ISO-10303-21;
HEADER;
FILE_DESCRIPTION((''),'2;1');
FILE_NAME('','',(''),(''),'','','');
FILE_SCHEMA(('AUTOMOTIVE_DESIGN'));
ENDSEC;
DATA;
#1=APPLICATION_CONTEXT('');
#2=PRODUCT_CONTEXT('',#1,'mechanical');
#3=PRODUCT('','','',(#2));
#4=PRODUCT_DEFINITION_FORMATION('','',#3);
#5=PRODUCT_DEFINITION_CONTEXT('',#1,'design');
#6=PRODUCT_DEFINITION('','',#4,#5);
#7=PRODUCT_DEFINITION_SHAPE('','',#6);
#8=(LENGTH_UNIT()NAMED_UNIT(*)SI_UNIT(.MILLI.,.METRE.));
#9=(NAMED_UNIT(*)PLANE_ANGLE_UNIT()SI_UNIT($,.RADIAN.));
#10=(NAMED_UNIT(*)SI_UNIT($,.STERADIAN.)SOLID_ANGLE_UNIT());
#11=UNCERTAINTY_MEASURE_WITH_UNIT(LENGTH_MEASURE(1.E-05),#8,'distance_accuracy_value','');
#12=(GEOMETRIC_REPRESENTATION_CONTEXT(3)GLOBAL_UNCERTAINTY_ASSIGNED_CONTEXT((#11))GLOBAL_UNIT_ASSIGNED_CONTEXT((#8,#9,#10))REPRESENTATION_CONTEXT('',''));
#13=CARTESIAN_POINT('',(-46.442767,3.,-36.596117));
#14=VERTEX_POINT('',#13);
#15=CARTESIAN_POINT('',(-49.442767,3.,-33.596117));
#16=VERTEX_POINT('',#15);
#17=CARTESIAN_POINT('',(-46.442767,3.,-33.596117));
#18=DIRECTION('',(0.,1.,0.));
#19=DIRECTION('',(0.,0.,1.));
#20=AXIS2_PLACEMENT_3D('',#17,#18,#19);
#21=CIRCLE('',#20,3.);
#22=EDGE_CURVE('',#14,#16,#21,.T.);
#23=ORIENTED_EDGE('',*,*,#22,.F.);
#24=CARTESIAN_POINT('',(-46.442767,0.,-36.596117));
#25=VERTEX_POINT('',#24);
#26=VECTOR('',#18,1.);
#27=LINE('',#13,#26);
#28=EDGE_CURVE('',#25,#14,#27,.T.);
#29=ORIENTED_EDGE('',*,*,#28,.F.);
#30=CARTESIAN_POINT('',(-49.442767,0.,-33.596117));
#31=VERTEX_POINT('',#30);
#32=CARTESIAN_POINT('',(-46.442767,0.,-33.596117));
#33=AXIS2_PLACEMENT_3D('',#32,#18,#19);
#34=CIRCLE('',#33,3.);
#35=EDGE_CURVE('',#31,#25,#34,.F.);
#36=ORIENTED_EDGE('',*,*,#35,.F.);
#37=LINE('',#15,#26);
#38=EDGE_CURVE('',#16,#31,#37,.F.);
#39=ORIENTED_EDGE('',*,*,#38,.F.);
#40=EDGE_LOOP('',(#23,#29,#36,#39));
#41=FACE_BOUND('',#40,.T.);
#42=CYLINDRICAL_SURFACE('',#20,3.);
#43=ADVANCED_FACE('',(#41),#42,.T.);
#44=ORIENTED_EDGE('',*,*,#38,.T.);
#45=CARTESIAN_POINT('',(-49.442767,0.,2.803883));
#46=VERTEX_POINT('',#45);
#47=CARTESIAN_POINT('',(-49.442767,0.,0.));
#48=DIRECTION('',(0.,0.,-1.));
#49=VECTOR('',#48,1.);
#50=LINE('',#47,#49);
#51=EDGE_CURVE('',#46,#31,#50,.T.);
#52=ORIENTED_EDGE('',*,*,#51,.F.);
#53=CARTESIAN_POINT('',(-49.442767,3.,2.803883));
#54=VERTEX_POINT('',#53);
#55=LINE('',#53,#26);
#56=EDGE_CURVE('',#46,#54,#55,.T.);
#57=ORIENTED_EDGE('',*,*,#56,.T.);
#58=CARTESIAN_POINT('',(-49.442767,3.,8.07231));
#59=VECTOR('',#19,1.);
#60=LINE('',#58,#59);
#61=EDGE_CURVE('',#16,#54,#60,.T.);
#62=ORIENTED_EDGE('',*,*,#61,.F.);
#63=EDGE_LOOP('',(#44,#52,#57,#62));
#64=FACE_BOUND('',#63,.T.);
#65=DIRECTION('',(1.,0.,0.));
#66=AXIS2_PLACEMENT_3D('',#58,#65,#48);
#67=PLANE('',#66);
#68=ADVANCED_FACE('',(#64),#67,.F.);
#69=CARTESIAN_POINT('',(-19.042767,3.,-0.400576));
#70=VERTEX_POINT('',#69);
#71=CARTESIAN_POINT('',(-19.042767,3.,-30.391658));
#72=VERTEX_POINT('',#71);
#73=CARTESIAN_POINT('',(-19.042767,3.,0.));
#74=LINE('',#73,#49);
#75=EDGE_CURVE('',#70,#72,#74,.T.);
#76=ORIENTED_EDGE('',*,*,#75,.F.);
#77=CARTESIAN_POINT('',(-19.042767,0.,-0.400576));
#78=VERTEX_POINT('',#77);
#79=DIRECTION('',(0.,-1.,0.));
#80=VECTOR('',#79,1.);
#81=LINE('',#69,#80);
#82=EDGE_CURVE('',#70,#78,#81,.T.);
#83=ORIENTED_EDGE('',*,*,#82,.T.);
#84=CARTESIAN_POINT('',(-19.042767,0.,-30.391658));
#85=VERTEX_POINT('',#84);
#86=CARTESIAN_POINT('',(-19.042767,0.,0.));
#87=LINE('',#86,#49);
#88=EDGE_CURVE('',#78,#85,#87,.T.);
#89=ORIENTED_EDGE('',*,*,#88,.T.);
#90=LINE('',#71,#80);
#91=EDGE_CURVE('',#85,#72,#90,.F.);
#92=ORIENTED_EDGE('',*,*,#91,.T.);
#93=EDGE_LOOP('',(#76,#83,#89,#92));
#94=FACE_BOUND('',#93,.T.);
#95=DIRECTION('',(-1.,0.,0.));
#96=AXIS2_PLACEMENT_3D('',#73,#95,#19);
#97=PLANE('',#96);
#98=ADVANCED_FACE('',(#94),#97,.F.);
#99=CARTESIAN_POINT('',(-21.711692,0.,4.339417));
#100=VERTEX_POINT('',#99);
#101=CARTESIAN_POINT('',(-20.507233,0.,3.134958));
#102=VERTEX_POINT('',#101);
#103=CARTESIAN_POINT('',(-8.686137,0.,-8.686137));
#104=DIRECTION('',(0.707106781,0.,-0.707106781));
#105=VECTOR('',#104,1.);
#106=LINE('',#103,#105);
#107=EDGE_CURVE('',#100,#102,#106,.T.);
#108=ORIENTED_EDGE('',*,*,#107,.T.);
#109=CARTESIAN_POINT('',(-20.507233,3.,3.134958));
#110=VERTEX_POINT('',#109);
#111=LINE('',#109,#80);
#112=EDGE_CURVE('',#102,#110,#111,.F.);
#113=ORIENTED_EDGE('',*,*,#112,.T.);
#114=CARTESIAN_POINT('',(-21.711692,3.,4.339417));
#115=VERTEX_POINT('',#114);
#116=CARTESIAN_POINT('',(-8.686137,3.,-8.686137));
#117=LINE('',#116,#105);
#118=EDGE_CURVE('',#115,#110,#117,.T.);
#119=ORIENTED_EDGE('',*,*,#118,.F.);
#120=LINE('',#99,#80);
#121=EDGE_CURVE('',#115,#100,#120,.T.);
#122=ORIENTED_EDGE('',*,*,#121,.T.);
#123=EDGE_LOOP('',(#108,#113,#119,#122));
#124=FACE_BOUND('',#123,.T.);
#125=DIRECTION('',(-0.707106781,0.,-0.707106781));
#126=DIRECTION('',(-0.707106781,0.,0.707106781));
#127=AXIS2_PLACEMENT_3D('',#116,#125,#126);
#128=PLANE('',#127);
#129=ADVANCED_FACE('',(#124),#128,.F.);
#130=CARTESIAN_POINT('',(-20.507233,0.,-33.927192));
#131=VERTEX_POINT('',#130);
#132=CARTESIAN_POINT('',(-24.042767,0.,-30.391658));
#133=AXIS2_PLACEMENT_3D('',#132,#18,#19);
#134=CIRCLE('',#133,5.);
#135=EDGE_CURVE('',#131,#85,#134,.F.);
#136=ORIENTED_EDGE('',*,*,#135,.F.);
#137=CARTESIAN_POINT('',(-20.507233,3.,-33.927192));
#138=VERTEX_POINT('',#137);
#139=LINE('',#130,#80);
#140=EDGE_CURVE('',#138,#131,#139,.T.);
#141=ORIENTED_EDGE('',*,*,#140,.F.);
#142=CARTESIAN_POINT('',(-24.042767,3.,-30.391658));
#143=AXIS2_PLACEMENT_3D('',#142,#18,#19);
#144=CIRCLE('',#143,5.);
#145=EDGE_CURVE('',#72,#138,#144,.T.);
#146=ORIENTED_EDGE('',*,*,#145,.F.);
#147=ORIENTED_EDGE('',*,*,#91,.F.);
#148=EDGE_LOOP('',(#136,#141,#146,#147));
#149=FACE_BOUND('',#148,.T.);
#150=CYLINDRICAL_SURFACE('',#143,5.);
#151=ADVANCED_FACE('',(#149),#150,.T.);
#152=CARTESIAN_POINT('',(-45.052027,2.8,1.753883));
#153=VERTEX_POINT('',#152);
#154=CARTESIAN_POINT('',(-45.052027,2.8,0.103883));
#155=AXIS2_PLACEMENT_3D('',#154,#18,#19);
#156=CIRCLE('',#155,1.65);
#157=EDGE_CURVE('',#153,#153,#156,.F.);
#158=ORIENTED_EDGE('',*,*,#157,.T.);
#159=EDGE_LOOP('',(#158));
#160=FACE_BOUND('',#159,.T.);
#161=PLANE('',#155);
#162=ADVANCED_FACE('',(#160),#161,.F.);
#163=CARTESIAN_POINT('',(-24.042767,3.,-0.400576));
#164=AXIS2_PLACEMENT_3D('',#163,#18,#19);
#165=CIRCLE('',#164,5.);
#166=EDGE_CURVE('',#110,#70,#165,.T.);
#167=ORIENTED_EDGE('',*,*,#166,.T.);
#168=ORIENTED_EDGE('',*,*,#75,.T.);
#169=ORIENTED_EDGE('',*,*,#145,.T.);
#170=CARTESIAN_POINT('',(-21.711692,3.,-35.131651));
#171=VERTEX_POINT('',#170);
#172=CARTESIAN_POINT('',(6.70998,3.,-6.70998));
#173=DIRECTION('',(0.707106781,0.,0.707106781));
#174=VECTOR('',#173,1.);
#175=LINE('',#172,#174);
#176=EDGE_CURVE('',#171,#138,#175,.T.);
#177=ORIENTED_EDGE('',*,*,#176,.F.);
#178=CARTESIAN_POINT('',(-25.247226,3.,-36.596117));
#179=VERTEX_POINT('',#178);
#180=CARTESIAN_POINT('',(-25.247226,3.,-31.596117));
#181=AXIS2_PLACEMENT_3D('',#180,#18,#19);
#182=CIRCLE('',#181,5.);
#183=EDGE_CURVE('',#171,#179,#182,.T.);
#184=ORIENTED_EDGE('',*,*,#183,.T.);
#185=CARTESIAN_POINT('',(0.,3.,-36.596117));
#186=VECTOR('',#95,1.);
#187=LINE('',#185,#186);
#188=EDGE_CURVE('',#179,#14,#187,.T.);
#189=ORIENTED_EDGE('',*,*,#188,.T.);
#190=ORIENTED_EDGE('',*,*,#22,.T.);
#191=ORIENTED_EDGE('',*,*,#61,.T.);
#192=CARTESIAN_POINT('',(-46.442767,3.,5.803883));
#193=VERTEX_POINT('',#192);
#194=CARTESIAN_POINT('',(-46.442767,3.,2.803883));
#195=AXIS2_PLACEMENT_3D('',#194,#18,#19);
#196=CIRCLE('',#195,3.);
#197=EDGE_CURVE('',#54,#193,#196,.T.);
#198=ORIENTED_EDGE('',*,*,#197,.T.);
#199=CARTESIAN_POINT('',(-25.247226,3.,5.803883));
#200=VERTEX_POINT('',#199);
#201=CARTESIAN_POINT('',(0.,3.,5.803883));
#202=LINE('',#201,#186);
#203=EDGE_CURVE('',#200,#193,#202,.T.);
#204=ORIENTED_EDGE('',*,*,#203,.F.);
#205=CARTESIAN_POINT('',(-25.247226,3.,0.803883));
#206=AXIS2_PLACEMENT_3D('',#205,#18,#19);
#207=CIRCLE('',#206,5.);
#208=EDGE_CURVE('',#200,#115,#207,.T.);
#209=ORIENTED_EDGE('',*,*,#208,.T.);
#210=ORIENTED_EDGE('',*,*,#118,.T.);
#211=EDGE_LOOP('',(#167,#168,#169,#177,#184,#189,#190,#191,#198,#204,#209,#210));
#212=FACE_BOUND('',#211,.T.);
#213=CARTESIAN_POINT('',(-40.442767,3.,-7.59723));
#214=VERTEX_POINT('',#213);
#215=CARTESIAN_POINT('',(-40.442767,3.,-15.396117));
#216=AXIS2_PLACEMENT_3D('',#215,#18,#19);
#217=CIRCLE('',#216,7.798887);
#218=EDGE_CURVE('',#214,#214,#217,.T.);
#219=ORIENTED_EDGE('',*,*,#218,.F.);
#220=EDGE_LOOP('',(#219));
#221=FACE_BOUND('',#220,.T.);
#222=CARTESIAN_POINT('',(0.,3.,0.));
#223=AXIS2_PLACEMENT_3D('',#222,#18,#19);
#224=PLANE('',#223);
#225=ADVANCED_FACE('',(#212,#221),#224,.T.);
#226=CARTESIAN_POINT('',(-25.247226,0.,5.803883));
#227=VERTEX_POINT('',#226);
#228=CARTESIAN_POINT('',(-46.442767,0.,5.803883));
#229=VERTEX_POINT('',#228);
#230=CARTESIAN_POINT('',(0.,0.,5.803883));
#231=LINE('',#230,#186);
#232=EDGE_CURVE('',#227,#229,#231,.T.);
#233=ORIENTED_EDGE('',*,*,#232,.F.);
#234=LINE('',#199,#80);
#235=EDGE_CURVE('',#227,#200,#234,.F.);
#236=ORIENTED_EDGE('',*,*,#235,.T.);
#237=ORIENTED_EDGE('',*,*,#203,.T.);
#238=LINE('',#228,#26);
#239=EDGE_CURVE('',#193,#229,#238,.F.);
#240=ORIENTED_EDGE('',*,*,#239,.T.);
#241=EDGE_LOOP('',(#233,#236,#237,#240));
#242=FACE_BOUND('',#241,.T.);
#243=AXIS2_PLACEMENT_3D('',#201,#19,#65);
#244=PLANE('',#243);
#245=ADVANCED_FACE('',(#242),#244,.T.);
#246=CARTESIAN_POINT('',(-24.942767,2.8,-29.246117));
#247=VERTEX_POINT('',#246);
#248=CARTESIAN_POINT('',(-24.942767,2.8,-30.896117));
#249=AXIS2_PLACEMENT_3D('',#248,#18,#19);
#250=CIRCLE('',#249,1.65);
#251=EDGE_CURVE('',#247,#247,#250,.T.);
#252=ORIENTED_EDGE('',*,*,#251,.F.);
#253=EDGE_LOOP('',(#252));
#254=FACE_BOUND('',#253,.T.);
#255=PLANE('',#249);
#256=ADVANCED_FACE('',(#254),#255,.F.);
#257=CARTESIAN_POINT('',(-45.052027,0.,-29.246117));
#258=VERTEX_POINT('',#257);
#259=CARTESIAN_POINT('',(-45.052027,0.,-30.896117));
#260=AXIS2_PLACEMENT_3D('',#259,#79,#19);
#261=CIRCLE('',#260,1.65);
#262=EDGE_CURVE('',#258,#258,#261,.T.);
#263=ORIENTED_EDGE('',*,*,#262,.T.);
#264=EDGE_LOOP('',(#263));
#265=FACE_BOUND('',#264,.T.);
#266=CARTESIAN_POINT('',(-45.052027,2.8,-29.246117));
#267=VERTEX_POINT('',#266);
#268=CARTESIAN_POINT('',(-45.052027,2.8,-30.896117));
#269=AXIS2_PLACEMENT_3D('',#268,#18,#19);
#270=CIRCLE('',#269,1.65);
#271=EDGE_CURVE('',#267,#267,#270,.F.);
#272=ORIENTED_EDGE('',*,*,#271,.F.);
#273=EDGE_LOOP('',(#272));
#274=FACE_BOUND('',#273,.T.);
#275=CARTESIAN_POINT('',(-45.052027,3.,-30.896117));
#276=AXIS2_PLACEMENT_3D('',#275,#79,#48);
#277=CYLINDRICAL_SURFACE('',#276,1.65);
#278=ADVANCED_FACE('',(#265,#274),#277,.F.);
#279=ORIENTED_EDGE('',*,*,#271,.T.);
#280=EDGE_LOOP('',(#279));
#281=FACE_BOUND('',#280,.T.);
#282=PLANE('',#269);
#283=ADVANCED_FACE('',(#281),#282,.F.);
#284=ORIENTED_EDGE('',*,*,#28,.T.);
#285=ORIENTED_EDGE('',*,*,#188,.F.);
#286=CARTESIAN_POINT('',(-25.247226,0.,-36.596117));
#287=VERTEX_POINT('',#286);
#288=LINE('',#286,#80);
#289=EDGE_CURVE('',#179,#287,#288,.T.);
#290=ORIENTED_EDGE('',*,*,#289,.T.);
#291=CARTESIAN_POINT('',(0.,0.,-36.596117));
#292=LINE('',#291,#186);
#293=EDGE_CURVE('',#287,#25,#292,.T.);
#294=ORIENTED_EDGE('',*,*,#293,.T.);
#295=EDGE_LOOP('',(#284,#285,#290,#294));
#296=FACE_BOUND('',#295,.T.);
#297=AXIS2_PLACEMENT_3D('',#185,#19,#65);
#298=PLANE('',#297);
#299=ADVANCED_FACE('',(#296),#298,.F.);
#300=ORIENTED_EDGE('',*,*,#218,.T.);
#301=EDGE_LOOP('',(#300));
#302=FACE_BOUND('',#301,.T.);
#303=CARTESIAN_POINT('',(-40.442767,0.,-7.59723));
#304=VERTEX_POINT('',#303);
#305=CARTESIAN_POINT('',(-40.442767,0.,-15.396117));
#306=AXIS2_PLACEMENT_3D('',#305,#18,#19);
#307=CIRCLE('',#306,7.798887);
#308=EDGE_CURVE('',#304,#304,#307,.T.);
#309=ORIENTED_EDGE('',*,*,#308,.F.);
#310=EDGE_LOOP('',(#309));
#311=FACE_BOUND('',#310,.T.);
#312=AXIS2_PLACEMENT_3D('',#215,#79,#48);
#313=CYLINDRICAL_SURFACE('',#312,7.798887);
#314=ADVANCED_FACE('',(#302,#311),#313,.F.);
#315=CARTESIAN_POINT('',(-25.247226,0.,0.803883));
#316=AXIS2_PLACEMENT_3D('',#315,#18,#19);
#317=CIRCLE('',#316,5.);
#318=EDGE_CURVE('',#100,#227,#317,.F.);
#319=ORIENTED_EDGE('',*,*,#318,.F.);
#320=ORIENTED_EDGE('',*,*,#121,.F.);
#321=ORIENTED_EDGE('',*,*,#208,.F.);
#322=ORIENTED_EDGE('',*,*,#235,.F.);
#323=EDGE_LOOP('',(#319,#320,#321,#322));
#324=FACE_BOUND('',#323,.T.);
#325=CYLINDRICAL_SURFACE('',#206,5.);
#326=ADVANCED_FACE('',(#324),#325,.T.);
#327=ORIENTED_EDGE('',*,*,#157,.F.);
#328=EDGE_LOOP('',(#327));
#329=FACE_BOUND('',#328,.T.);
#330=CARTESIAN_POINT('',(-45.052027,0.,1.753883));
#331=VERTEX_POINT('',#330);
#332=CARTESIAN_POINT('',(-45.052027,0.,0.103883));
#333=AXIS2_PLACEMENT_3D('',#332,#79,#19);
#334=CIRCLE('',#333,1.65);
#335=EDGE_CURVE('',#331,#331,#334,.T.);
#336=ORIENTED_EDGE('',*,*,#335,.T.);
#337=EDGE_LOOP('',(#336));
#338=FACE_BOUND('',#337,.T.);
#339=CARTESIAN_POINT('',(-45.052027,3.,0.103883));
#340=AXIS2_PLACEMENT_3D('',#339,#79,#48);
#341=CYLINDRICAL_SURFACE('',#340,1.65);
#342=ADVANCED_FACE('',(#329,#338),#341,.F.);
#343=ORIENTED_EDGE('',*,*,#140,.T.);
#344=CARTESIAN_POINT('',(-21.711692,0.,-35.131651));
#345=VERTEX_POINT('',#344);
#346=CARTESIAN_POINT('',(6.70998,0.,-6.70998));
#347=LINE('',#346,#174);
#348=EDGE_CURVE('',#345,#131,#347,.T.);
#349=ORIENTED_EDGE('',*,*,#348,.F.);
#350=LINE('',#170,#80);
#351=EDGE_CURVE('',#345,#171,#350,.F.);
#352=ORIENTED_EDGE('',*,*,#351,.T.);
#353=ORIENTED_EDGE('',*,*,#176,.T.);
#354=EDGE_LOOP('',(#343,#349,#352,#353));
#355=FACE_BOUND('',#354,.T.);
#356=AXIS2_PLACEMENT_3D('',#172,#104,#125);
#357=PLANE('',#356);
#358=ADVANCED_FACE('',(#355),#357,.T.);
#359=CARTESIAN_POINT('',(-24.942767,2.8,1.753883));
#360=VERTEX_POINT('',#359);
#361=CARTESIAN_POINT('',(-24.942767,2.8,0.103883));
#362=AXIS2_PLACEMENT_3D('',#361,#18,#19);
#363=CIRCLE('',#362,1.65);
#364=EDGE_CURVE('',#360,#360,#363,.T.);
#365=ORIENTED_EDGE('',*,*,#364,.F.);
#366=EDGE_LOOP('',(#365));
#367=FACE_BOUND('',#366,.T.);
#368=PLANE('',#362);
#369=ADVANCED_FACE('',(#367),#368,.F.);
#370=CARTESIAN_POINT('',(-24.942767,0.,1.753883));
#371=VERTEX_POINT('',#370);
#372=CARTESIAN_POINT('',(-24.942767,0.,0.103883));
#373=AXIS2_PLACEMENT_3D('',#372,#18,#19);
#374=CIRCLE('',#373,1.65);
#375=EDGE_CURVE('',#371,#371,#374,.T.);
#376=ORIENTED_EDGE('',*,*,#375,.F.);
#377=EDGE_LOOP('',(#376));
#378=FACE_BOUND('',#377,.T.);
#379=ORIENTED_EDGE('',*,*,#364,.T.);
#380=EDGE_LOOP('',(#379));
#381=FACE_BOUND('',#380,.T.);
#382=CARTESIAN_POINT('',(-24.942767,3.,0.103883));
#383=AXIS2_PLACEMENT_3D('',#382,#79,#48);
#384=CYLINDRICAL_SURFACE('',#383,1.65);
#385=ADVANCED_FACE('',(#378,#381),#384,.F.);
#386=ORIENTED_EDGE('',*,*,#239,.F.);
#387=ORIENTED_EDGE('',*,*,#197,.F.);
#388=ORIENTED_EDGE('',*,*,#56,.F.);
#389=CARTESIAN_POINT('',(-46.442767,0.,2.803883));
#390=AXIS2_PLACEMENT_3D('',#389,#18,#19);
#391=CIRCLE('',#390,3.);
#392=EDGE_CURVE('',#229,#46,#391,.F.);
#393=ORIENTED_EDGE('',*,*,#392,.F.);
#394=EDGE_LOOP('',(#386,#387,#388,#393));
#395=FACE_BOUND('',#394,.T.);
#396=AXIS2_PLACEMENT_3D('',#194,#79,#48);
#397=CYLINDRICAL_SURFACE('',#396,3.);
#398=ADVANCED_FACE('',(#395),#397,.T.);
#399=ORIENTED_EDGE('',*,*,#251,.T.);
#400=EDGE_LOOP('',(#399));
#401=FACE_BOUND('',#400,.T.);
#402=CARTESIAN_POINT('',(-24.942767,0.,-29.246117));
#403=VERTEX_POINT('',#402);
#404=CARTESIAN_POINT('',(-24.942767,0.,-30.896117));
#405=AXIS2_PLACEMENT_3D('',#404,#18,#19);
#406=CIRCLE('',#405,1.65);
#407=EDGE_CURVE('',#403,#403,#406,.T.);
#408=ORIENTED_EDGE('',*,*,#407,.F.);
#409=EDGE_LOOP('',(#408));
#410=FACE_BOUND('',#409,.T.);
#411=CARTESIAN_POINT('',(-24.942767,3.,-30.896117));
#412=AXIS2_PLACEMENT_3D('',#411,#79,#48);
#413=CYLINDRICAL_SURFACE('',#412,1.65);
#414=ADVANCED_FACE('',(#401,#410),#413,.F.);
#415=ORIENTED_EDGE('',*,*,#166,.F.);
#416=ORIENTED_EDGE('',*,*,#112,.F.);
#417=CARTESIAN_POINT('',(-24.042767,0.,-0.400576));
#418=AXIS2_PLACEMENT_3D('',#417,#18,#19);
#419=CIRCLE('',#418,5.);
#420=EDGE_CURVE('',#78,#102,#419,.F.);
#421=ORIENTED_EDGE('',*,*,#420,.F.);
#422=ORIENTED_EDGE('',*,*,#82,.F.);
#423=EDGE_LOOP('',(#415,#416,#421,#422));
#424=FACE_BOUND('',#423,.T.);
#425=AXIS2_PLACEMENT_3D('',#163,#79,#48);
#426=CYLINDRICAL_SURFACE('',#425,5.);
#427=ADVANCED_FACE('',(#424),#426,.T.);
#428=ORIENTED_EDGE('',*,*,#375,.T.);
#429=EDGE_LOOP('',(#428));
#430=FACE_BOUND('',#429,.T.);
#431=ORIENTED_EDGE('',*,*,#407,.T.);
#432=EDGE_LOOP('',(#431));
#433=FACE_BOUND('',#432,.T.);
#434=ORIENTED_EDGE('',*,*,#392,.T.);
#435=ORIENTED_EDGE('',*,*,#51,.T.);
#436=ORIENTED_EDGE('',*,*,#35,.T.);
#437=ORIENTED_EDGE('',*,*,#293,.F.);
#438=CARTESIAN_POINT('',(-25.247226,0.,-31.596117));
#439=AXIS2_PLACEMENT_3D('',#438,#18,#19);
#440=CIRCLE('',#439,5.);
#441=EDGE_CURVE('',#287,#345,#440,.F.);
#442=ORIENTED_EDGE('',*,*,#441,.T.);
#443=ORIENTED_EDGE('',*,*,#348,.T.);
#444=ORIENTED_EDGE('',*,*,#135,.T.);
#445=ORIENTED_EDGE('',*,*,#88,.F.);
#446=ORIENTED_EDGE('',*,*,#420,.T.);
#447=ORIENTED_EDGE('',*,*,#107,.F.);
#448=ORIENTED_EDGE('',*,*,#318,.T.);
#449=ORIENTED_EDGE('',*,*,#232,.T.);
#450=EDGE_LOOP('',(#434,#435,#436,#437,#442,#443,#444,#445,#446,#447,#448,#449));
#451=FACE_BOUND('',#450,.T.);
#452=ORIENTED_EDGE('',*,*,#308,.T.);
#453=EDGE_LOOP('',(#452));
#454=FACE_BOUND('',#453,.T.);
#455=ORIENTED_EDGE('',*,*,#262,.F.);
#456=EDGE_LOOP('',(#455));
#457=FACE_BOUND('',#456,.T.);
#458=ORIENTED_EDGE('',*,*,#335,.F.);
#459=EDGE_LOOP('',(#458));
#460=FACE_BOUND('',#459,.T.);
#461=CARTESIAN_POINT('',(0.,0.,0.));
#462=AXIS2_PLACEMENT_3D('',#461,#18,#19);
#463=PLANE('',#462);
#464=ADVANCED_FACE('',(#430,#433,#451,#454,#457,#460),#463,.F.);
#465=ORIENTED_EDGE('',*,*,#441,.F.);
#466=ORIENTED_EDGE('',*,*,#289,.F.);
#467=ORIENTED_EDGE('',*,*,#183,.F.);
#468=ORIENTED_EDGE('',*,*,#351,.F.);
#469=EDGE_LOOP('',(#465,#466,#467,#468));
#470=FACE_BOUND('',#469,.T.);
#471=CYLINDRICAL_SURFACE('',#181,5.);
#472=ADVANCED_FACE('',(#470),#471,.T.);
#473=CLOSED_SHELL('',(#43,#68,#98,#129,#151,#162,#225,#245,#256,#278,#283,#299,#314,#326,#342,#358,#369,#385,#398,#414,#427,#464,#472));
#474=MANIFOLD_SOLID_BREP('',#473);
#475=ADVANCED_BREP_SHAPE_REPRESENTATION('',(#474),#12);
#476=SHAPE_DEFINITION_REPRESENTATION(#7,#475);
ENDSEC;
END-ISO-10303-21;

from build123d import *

# Parameters (mm, degrees)
SZKIC1_R                        = 1.65
SZKIC1_R_2                      = 7.798887489
DODANIE_WYCI_GNI_CIE1_DEPTH     = 3
ZAOKR_GLENIE1_R                 = 5
WYTNIJ_WYCI_GNI_CIE1_DEPTH      = 72.750306382
WYTNIJ_WYCI_GNI_CIE1_DEPTH_BACK = 72.750306382
SZKIC2_W                        = 22.67550991
SZKIC2_H                        = 46.936854919
ZAOKR_GLENIE5_R                 = 3
SZKIC3_R                        = 1.65
WYTNIJ_WYCI_GNI_CIE2_DEPTH      = 62.58622378
DODANIE_WYCI_GNI_CIE2_START     = -0.2
SZKIC4_R                        = 1.65
DODANIE_WYCI_GNI_CIE2_DEPTH     = 0.2


with BuildPart() as part:
    # Szkic1 → Dodanie-wyciągnięcie1 (new body)
    with BuildSketch(Plane(origin=(0, 0, 0), x_dir=(1, 0, 0), z_dir=(0, 1, 0))):
        with BuildLine():
            ThreePointArc((-57.522805166, 36.596117071), (-60.573917858, 31.893472489), (-61.642766658, 26.390589884))
            Line((-61.642766658, 26.390589884), (-61.642766658, 4.401644259))
            ThreePointArc((-61.642766658, 4.401644259), (-60.573917858, -1.101238346), (-57.522805166, -5.803882929))
            Line((-57.522805166, -5.803882929), (-23.176157761, -5.803882929))
            Line((-23.176157761, -5.803882929), (-19.042766658, -1.670491825))
            Line((-19.042766658, -1.670491825), (-19.042766658, 32.462725968))
            Line((-19.042766658, 32.462725968), (-23.176157761, 36.596117071))
            Line((-23.176157761, 36.596117071), (-57.522805166, 36.596117071))
        make_face()
        with Locations(Location((-55.942766658, -0.103882929, 0), (0, 0, 270))):
            Circle(SZKIC1_R, mode=Mode.SUBTRACT)
        with Locations(Location((-24.942766658, -0.103882929, 0), (0, 0, 270))):
            Circle(SZKIC1_R, mode=Mode.SUBTRACT)
        with Locations(Location((-55.942766658, 30.896117071, 0), (0, 0, 270))):
            Circle(SZKIC1_R, mode=Mode.SUBTRACT)
        with Locations(Location((-24.942766658, 30.896117071, 0), (0, 0, 270))):
            Circle(SZKIC1_R, mode=Mode.SUBTRACT)
        with Locations(Location((-40.442766658, 15.396117071, 0), (0, 0, 270))):
            Circle(SZKIC1_R_2, mode=Mode.SUBTRACT)
    extrude(amount=DODANIE_WYCI_GNI_CIE1_DEPTH)

    # Zaokrąglenie1
    zaokr_glenie1_edges = [part.edges().sort_by_distance(p)[0] for p in [
        (-23.176157761, 1.5, -36.596117071),
        (-19.042766658, 1.5, -32.462725968),
        (-19.042766658, 1.5, 1.670491825),
        (-23.176157761, 1.5, 5.803882929),
        (-57.522805166, 1.5, 5.803882929),
        (-57.522805166, 1.5, -36.596117071),
    ]]
    fillet(zaokr_glenie1_edges, radius=ZAOKR_GLENIE1_R)

    # Szkic2 → Wytnij-wyciągnięcie1 (cut, two sides: drawn at the far end of the back side and taken through both)
    with BuildSketch(Plane.XZ.offset(-WYTNIJ_WYCI_GNI_CIE1_DEPTH_BACK)):
        with Locations((-60.780521613, -15.396117072)):
            Rectangle(SZKIC2_W, SZKIC2_H)
    extrude(amount=WYTNIJ_WYCI_GNI_CIE1_DEPTH + WYTNIJ_WYCI_GNI_CIE1_DEPTH_BACK, mode=Mode.SUBTRACT)

    # Zaokrąglenie5
    zaokr_glenie5_edges = [part.edges().sort_by_distance(p)[0] for p in [
        (-49.442766658, 1.5, -36.596117071),
        (-49.442766658, 1.5, 5.803882929),
    ]]
    fillet(zaokr_glenie5_edges, radius=ZAOKR_GLENIE5_R)

    # Szkic3 → Wytnij-wyciągnięcie2 (cut, through all)
    with BuildSketch(Plane.XZ):
        with Locations(Location((-45.052026831, -30.896117071, 0), (0, 0, 90))):
            Circle(SZKIC3_R)
        with Locations(Location((-45.052026831, 0.103882929, 0), (0, 0, 90))):
            Circle(SZKIC3_R)
    extrude(amount=-WYTNIJ_WYCI_GNI_CIE2_DEPTH, mode=Mode.SUBTRACT)

    # Szkic4 → Dodanie-wyciągnięcie2 (add)
    with BuildSketch(Plane(origin=(0, 3, 0), x_dir=(1, 0, 0), z_dir=(0, 1, 0)).offset(DODANIE_WYCI_GNI_CIE2_START)):
        with Locations(Location((-45.052026831, 30.896117071, 0), (0, 0, 270))):
            Circle(SZKIC4_R)
        with Locations(Location((-24.942766658, 30.896117071, 0), (0, 0, 270))):
            Circle(SZKIC4_R)
        with Locations(Location((-24.942766658, -0.103882929, 0), (0, 0, 270))):
            Circle(SZKIC4_R)
        with Locations(Location((-45.052026831, -0.103882929, 0), (0, 0, 270))):
            Circle(SZKIC4_R)
    extrude(amount=DODANIE_WYCI_GNI_CIE2_DEPTH)


solid = part.part
